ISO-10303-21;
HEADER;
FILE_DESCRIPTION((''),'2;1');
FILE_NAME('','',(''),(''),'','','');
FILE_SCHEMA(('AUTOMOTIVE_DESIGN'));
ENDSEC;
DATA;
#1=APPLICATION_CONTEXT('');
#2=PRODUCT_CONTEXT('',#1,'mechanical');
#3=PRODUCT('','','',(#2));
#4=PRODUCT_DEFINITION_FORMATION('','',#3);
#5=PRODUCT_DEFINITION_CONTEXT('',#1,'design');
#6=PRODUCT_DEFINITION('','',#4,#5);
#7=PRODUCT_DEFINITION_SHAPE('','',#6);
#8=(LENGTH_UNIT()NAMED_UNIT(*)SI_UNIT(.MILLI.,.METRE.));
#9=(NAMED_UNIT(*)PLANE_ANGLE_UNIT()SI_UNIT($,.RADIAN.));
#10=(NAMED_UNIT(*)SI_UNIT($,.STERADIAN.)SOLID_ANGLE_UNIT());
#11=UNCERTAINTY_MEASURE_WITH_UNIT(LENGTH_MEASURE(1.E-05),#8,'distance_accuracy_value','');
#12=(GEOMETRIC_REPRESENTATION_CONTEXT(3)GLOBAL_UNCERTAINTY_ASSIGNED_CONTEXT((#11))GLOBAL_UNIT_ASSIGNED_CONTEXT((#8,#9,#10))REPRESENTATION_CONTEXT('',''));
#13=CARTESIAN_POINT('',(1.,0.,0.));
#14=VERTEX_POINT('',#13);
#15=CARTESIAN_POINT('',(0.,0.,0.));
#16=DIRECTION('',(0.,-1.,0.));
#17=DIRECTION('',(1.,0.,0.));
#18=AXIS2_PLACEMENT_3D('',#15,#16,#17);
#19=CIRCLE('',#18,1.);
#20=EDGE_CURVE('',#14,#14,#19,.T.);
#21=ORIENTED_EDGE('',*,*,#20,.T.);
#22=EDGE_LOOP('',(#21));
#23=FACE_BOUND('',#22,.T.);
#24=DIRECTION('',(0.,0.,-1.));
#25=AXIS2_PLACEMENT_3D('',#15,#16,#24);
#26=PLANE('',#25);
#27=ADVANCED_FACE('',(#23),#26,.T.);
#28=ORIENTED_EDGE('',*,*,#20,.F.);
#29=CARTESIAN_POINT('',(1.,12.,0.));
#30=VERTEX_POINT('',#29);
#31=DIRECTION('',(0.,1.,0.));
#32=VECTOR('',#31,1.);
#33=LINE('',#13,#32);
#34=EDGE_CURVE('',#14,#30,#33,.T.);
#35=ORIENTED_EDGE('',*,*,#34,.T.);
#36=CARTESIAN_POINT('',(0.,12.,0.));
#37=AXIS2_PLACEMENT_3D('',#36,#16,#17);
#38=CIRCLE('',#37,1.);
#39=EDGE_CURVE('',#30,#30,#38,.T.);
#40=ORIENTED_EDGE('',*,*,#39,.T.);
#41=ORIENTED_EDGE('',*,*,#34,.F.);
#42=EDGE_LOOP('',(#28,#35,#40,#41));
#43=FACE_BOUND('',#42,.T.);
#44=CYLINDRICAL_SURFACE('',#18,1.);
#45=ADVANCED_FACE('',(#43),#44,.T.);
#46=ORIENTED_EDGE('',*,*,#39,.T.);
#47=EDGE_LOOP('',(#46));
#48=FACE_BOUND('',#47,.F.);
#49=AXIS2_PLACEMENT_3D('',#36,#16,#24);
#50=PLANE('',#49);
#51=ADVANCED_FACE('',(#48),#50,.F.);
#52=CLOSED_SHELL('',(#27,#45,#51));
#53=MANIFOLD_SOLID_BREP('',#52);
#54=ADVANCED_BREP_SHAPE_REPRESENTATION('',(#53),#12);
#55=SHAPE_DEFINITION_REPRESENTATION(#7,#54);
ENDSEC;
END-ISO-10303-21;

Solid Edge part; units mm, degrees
sketch "Sketch1" plane through (0, 0, 0) normal (0, -1, 0) x (1, 0, 0)
  circle A0 centre (0, 0) radius 1
  dimension "D1" = 2
extrude "Ajout_matière_1" add sketch "Sketch1" against normal blind 12
properties part number "03" material "Acier S235"
